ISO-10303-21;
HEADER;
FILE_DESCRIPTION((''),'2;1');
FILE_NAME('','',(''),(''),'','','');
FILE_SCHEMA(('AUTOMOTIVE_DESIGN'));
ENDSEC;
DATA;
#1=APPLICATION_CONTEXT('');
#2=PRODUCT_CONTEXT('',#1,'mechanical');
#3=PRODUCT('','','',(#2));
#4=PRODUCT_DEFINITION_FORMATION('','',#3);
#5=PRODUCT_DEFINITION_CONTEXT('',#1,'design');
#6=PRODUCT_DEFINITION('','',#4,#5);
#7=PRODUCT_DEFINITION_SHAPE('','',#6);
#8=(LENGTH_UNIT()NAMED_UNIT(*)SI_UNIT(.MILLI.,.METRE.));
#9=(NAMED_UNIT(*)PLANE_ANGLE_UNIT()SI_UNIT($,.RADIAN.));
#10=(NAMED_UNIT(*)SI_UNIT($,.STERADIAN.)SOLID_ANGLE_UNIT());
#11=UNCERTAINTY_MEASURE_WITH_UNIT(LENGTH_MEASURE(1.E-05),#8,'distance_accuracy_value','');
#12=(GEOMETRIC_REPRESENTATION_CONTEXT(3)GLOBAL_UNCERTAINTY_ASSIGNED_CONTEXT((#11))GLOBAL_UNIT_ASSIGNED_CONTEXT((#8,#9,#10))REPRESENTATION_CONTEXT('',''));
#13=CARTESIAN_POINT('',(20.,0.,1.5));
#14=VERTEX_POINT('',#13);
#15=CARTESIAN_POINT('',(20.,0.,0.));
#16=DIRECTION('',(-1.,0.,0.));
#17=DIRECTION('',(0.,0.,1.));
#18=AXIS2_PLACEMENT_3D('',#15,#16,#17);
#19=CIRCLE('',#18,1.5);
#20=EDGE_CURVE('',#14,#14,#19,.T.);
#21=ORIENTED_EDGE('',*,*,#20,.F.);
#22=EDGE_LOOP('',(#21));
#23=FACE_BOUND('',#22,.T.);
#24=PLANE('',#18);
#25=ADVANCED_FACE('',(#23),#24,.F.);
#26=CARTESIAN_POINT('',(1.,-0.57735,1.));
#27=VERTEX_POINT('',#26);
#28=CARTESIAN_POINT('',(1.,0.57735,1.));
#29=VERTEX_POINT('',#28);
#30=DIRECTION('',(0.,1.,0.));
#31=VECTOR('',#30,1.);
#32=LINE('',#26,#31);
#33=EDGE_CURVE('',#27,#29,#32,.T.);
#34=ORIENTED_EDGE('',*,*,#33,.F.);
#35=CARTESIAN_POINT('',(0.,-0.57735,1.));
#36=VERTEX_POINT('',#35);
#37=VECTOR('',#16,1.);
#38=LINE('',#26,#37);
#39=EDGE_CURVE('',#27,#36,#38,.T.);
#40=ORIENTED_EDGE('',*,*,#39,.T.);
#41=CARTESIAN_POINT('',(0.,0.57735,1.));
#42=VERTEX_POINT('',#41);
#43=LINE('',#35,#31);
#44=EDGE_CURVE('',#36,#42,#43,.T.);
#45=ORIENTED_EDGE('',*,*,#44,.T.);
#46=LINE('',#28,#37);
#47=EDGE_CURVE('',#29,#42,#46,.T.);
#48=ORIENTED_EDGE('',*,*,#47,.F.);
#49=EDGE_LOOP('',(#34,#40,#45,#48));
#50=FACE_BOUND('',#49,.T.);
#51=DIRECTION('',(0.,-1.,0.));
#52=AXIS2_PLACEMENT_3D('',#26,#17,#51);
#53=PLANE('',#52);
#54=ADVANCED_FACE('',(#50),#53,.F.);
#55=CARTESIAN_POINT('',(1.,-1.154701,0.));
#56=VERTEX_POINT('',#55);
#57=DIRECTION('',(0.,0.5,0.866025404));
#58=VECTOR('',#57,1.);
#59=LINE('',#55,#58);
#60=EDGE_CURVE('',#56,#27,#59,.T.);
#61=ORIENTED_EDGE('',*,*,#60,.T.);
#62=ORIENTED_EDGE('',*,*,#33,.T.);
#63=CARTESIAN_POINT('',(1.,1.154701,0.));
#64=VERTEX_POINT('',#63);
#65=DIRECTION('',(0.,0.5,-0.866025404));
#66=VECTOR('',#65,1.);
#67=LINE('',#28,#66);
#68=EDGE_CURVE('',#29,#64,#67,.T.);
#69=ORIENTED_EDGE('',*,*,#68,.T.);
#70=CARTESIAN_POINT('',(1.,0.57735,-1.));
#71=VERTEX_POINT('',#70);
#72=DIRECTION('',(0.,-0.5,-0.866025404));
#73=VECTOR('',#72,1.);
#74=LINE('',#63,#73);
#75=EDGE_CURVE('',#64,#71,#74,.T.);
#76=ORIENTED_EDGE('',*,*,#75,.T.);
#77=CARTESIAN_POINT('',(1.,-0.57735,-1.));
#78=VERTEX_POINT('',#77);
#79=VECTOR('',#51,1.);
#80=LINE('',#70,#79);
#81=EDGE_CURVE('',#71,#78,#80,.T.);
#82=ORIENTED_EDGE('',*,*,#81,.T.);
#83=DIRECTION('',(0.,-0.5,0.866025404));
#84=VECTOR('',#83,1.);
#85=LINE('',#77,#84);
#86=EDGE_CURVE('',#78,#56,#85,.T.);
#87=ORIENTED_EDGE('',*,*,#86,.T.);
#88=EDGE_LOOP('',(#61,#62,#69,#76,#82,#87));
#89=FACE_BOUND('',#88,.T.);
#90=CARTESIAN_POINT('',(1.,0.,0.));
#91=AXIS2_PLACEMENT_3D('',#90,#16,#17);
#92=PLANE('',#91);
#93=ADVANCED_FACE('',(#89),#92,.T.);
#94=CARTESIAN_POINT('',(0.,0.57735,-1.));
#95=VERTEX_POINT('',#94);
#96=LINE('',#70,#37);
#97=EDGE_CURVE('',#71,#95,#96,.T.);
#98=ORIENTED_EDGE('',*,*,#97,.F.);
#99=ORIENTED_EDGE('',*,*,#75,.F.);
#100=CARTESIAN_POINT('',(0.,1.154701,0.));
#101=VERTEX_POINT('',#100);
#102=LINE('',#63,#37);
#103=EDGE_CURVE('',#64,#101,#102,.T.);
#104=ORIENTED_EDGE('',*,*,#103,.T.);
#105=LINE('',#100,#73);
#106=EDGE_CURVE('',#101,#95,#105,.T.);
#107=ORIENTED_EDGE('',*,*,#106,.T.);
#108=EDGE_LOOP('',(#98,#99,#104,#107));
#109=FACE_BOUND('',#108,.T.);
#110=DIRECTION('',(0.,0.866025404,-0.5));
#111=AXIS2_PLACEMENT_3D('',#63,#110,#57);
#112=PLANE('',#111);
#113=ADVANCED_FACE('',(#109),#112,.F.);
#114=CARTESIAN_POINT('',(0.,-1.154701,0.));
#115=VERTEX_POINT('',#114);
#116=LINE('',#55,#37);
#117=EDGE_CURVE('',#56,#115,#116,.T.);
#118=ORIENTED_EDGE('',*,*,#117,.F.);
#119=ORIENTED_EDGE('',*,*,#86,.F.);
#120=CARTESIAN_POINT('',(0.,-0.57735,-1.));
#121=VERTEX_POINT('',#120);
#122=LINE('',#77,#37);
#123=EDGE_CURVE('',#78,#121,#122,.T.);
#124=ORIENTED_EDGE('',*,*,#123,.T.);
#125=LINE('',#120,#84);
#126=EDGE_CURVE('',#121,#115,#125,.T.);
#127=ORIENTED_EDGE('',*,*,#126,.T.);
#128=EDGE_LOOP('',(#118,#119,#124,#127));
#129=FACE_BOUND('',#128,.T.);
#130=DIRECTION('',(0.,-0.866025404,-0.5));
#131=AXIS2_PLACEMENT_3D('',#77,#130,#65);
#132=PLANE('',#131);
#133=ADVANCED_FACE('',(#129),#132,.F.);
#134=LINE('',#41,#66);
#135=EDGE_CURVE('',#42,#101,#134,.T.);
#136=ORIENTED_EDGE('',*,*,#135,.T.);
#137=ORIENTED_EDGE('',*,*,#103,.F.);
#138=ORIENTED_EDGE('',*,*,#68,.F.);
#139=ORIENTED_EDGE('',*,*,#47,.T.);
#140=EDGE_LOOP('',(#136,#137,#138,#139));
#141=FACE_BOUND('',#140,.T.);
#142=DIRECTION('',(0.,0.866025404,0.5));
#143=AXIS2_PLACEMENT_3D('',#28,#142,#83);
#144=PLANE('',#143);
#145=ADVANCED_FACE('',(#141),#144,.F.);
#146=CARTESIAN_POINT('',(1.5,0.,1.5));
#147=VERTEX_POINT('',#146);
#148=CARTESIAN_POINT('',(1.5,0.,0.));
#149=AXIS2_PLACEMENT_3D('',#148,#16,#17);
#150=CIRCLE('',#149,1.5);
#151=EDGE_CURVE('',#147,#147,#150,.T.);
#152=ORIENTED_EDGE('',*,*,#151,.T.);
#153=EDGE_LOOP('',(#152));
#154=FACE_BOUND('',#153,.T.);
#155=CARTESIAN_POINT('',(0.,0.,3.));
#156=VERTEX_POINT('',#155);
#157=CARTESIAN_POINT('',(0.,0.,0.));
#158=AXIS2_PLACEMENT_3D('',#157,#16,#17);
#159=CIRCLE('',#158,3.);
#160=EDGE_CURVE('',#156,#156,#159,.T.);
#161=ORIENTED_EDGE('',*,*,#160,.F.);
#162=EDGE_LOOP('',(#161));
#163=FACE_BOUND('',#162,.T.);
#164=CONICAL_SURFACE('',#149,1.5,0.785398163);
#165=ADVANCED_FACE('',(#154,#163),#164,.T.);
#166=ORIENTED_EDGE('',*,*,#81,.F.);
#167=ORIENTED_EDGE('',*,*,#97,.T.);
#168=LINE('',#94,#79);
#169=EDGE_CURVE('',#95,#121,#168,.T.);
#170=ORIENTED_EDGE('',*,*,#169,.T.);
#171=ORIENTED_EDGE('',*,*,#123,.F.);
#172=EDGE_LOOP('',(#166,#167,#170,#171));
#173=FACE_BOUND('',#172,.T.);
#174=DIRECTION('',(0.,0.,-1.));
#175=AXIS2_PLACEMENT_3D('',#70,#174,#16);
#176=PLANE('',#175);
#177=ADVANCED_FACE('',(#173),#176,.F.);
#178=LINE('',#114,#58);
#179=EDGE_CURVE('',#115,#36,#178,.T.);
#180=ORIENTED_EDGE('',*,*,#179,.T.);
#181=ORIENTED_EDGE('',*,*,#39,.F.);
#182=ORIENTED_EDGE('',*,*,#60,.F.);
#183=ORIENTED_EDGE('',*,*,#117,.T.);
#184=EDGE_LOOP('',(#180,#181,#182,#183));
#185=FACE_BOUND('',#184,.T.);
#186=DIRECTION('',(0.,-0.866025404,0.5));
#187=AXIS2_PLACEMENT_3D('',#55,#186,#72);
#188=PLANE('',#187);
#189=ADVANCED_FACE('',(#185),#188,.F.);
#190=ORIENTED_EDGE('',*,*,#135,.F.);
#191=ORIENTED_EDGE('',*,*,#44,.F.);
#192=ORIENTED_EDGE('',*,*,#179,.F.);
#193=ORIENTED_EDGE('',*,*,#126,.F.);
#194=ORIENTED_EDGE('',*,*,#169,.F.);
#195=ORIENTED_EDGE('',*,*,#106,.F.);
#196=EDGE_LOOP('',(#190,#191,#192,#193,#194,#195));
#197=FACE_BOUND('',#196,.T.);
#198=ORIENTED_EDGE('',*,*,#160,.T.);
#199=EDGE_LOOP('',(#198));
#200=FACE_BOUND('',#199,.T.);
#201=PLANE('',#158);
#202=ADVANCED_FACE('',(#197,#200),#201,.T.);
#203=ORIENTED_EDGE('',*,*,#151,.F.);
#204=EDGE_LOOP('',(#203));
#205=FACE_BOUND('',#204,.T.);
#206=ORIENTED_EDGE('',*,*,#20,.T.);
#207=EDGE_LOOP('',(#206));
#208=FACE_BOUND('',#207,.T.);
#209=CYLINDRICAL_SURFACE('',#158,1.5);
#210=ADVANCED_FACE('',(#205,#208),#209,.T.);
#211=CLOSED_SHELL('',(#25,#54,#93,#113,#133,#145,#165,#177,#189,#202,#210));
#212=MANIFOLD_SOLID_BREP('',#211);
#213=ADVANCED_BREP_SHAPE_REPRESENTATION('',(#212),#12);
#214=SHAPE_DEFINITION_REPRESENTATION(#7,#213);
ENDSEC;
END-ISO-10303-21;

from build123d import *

# Parameters (mm, degrees)
CUT_EXTRUDE_1_DEPTH = 1


with BuildPart() as part:
    # 草图1 → 旋转1 (revolve)
    with BuildSketch(Plane.XY, mode=Mode.PRIVATE) as revolve_1_sk:
        Polygon((0, 0), (0, 3), (1.5, 1.5), (20, 1.5), (20, 0), align=None)
    revolve(revolve_1_sk.sketch.rotate(Axis((0, 0, 0), (1, 0, 0)), 90), axis=Axis((0, 0, 0), (1, 0, 0)))

    # 草图2 → 切除-拉伸1 (cut)
    with BuildSketch(Plane.ZY):
        Polygon((0, 1.154700538), (-1, 0.577350269), (-1, -0.577350269), (0, -1.154700538), (1, -0.577350269), (1, 0.577350269), align=None)
    extrude(amount=-CUT_EXTRUDE_1_DEPTH, mode=Mode.SUBTRACT)


solid = part.part
